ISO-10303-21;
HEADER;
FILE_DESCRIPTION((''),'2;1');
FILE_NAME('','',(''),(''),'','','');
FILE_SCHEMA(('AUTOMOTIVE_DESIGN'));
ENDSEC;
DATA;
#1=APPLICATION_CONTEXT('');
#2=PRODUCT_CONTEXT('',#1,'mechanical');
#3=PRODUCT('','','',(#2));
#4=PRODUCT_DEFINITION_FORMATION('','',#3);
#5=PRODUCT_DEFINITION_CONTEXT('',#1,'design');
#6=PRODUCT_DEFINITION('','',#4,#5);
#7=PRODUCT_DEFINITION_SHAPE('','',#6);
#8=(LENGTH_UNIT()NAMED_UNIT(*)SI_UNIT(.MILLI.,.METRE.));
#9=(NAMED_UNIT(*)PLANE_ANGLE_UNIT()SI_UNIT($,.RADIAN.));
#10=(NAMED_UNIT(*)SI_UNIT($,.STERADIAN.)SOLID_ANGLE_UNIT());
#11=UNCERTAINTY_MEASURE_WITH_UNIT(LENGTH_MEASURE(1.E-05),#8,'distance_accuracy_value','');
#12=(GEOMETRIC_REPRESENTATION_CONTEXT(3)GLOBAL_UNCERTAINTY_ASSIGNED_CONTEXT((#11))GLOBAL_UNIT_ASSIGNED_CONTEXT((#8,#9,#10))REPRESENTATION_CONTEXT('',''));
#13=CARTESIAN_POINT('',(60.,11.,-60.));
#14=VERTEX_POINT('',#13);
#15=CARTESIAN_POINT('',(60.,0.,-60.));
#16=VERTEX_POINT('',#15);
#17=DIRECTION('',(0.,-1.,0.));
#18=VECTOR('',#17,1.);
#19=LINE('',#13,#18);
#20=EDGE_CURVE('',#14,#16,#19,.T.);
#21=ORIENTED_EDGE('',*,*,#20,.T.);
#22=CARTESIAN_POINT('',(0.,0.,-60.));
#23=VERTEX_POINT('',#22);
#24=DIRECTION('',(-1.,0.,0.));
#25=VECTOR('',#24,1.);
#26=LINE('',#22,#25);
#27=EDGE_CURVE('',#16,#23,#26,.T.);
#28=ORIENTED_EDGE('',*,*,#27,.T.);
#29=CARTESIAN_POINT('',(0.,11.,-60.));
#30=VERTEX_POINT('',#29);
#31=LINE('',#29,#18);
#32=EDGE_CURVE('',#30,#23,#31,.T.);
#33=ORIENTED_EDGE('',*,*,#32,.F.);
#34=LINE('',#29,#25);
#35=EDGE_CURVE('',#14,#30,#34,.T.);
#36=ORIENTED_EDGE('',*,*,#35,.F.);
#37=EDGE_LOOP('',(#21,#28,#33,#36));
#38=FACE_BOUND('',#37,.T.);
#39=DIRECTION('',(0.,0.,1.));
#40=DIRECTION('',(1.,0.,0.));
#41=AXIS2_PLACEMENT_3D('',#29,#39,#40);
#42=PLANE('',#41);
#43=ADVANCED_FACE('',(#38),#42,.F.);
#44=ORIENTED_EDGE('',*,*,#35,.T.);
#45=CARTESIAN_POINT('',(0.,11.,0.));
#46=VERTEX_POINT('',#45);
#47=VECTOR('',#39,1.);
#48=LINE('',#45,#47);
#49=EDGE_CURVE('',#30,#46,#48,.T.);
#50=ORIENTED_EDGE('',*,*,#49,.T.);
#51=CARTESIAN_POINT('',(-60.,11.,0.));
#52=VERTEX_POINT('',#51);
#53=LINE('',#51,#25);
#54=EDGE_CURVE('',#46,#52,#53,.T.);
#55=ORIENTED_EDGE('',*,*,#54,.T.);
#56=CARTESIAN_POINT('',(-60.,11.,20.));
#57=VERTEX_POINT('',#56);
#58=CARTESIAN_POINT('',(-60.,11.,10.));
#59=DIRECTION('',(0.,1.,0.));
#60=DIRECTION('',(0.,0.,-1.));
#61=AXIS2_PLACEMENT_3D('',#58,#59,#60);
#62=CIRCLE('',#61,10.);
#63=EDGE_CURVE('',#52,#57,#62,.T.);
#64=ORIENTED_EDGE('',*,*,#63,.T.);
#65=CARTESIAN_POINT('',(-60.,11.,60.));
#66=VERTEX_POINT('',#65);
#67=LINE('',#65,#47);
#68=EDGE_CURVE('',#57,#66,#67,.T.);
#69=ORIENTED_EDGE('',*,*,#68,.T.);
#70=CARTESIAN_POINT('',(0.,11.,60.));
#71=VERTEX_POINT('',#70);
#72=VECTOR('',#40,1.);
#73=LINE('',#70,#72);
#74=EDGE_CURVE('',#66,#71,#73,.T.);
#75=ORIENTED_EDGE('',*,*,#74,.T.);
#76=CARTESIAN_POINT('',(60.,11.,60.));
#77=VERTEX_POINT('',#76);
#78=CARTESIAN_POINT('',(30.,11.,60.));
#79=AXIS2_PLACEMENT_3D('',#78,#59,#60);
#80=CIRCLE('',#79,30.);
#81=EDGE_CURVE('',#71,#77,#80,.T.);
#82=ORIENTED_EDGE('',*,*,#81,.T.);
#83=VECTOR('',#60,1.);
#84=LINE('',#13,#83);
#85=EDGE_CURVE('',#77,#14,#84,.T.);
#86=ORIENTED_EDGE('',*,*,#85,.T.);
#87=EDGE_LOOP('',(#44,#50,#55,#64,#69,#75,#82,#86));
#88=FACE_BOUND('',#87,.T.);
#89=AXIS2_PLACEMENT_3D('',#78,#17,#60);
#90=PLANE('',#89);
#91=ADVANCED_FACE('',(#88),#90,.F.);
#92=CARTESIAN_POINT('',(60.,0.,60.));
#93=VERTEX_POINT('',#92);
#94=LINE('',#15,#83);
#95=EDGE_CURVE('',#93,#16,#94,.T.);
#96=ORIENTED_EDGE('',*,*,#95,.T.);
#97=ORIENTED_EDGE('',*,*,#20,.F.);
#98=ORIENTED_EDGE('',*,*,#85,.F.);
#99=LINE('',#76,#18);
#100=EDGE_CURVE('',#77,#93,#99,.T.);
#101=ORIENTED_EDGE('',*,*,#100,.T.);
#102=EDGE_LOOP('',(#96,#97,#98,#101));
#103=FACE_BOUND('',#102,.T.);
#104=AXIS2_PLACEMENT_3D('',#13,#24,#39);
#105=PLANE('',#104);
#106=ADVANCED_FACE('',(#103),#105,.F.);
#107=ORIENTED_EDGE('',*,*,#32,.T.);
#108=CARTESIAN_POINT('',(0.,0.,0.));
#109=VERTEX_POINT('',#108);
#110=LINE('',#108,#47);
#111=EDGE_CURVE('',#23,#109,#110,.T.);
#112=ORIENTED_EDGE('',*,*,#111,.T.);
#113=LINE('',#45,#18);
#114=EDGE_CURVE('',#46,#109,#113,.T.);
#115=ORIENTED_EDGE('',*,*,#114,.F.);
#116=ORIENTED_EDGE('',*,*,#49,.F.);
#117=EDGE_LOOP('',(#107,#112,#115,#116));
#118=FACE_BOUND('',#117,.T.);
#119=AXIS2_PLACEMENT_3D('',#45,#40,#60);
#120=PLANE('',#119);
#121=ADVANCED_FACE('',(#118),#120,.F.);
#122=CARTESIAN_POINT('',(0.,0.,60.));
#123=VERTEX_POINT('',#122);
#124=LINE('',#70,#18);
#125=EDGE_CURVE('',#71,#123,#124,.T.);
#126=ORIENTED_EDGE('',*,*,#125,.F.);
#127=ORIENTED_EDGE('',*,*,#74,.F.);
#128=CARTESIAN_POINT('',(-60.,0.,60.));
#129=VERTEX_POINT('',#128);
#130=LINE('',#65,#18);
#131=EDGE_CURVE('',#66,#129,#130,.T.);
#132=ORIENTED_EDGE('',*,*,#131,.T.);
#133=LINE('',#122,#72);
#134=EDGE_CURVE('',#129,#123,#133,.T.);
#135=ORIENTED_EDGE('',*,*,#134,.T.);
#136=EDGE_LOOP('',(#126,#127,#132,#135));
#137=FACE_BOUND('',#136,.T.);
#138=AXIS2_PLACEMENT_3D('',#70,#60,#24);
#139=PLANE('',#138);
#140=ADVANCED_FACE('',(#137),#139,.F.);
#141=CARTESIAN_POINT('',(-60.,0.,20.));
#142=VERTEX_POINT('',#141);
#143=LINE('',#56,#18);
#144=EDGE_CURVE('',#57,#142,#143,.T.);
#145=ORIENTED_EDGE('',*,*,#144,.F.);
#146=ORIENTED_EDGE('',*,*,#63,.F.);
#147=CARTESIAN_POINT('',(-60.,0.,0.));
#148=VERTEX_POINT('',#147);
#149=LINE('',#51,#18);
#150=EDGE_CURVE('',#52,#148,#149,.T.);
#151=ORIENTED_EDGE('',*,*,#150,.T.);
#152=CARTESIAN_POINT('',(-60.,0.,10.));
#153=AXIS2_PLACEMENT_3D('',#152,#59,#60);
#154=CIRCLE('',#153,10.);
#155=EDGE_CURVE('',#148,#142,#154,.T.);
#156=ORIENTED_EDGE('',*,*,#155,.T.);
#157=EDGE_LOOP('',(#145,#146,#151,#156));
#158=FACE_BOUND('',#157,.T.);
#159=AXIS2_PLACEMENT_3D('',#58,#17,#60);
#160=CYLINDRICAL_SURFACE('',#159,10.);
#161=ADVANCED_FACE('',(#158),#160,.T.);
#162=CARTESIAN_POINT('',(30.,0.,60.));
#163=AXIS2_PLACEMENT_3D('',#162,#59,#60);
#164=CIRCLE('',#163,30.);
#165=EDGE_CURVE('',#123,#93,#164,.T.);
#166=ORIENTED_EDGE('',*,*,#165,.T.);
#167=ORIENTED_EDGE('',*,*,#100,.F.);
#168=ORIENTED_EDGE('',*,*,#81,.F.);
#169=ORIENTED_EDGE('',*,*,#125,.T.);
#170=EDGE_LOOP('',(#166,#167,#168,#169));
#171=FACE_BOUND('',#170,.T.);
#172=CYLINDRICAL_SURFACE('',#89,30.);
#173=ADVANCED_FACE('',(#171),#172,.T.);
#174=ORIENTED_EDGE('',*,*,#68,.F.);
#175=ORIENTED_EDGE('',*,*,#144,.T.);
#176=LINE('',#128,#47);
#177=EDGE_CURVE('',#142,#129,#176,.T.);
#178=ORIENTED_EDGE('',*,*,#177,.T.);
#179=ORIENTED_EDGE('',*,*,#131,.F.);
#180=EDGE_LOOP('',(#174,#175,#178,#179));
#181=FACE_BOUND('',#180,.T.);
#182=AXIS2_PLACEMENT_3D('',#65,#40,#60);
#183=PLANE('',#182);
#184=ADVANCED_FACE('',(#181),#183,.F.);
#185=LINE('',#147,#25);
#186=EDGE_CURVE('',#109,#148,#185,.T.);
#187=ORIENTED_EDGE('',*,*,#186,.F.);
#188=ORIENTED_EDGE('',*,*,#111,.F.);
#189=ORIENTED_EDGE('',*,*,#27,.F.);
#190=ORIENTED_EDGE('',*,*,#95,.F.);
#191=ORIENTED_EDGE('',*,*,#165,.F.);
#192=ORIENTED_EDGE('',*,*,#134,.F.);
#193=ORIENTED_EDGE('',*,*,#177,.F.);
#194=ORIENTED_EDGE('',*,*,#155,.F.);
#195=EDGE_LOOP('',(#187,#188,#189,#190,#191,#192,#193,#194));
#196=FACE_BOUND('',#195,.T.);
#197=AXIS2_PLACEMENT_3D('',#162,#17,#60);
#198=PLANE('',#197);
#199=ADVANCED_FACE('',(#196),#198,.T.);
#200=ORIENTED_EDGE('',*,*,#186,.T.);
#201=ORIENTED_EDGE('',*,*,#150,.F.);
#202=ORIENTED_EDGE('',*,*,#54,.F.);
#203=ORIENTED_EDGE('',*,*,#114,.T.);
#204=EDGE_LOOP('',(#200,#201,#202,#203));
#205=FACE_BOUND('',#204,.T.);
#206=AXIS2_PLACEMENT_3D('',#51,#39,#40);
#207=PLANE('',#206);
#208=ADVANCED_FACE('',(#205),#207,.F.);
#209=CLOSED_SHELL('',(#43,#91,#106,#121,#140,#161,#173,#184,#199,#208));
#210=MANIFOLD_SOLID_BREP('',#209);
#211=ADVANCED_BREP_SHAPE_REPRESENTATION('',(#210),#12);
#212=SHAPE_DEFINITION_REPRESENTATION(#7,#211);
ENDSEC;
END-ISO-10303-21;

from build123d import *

# Parameters (mm, degrees)
BOSS_EXTRUDE2_DEPTH = 11


with BuildPart() as part:
    # aula 4 → Boss-Extrude2 (new body)
    with BuildSketch(Plane(origin=(0, 0, 0), x_dir=(1, 0, 0), z_dir=(0, 1, 0))):
        with BuildLine():
            Line((0, 0), (0, 60))
            Line((0, 60), (60, 60))
            Line((60, 60), (60, -60))
            ThreePointArc((60, -60), (30, -90), (0, -60))
            Line((0, -60), (-60, -60))
            Line((-60, -60), (-60, -20))
            ThreePointArc((-60, -20), (-70, -10), (-60, 0))
            Line((-60, 0), (0, 0))
        make_face()
    extrude(amount=BOSS_EXTRUDE2_DEPTH)


solid = part.part
